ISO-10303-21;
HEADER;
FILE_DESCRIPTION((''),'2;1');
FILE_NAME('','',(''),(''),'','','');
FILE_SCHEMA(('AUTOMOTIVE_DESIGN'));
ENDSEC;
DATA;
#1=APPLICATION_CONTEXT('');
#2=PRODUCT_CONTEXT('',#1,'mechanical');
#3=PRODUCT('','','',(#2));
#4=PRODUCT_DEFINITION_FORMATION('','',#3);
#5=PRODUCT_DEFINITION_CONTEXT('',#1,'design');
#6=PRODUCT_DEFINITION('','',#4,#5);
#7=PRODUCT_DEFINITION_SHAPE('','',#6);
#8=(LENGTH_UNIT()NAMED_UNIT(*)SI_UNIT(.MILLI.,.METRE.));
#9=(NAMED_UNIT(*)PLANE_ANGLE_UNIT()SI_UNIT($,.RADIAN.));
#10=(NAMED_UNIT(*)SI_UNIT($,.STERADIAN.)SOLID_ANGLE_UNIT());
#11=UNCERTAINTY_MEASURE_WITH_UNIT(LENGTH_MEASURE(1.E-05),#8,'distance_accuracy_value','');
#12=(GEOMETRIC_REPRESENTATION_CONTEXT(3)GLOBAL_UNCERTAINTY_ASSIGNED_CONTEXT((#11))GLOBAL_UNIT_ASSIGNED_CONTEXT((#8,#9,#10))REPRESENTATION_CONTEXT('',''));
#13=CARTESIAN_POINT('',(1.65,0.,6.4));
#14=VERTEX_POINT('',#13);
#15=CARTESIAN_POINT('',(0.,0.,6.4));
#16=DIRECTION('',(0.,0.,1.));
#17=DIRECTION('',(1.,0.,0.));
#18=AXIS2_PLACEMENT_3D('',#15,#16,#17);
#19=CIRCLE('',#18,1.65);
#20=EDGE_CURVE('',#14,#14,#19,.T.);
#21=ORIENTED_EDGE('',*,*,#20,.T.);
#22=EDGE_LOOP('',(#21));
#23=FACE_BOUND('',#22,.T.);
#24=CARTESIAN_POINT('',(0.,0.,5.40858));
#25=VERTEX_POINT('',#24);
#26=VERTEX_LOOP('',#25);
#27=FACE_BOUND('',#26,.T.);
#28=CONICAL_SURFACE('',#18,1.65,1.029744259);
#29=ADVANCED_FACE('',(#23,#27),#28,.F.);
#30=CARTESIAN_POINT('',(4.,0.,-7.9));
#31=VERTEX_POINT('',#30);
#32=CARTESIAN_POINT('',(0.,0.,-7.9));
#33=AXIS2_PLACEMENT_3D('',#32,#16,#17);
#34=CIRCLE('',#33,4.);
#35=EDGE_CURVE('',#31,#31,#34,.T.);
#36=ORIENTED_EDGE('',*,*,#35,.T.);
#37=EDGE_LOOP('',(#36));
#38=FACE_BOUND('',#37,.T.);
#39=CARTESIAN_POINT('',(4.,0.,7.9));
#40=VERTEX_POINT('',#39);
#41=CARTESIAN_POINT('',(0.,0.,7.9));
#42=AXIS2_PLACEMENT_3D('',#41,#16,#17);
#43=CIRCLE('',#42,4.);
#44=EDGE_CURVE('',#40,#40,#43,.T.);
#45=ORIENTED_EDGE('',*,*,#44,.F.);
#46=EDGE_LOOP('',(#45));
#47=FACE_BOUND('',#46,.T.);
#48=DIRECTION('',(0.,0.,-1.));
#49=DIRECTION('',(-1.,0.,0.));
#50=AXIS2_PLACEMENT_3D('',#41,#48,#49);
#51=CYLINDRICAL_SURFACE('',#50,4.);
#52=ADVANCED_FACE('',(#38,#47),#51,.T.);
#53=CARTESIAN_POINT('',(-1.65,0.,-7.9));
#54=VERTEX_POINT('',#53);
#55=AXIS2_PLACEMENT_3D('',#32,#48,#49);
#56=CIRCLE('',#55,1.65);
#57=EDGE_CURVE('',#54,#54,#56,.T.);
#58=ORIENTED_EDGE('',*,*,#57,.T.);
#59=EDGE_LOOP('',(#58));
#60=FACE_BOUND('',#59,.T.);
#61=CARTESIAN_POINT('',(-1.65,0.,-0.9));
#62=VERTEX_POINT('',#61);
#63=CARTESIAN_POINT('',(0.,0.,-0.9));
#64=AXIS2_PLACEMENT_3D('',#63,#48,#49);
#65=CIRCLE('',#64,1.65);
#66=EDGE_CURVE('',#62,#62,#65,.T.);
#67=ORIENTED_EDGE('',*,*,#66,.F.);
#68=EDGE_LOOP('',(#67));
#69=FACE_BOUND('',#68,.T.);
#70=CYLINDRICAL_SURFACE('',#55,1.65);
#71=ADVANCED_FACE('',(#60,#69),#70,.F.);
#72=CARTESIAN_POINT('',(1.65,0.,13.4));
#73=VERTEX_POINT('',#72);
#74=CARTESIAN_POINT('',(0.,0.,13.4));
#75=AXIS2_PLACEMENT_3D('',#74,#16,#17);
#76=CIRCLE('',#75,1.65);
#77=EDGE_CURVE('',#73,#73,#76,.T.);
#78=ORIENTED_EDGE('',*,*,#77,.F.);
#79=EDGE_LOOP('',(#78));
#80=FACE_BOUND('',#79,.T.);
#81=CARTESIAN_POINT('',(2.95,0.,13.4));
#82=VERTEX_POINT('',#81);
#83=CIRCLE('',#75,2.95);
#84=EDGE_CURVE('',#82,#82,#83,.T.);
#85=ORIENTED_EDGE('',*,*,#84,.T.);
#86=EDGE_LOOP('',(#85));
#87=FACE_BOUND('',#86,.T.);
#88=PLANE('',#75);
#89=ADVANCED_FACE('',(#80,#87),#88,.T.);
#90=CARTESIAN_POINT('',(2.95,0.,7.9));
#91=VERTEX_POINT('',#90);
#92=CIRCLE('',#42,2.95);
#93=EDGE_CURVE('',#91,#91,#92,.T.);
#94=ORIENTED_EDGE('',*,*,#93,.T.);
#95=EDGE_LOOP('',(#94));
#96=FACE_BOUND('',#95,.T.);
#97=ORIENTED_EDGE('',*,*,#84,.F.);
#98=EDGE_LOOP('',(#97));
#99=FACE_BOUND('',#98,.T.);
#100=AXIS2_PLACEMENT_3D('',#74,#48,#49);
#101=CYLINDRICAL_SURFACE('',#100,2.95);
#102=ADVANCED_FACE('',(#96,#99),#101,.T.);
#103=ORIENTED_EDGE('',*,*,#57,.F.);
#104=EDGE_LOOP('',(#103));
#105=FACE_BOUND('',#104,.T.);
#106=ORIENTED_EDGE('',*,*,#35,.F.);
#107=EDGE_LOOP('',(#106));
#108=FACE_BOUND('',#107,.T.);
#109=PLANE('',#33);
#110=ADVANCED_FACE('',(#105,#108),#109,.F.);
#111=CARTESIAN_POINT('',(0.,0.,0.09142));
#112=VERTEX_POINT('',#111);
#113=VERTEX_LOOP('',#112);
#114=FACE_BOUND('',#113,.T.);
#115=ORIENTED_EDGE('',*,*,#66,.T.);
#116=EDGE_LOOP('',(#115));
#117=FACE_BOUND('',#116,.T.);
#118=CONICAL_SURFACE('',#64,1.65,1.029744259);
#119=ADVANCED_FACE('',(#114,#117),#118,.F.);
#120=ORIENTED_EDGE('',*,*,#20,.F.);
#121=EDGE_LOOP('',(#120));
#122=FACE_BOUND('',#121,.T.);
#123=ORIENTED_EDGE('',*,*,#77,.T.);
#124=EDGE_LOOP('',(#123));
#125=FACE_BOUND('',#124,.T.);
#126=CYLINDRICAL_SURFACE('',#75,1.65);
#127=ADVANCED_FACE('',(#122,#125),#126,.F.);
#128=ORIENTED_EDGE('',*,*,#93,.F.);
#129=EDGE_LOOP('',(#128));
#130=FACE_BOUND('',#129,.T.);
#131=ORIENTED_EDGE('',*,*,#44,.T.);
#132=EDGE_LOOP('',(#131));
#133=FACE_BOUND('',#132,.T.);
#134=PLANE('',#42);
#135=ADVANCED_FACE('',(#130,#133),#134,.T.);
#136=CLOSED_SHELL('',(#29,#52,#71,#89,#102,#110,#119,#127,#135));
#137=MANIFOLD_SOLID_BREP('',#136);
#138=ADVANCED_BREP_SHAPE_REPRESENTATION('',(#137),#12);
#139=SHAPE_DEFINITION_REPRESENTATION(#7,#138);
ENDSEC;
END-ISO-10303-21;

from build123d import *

# Parameters (mm, degrees)
SKETCH_1_R               = 4
EXTRUDE_1_DEPTH          = 7.9
SKETCH_2_R               = 2.95
EXTRUDE_2_DEPTH          = 5.5
M4X0_7_1_D               = 3.3
M4X0_7_1_DEPTH           = 7
M4X0_7_1_TIP             = 0.991420021
M4X0_7_1_ON_FACE_2_D     = 3.3
M4X0_7_1_ON_FACE_2_DEPTH = 7
M4X0_7_1_ON_FACE_2_TIP   = 0.991420021


with BuildPart() as part:
    # ｽｹｯﾁ1 → ﾎﾞｽ - 押し出し1 (new body, symmetric)
    with BuildSketch(Plane.XY):
        Circle(SKETCH_1_R)
    extrude(amount=EXTRUDE_1_DEPTH, both=True)

    # ｽｹｯﾁ2 → ﾎﾞｽ - 押し出し2 (add)
    with BuildSketch(Plane.XY.offset(7.9)):
        Circle(SKETCH_2_R)
    extrude(amount=EXTRUDE_2_DEPTH)

    # M4x0.7 ねじ穴1
    with Locations(Plane(origin=(0, 0, -7.9), x_dir=(-1, 0, 0), z_dir=(0, 0, -1))):
        with Locations((0, 0)):
            Hole(M4X0_7_1_D / 2, depth=M4X0_7_1_DEPTH)
            with Locations((0, 0, -(M4X0_7_1_DEPTH + M4X0_7_1_TIP / 2))):  # 118° drill point
                Cone(0, M4X0_7_1_D / 2, M4X0_7_1_TIP, mode=Mode.SUBTRACT)

    # M4x0.7 ねじ穴1 on face 2
    with Locations(Plane.XY.offset(13.4)):
        with Locations((0, 0)):
            Hole(M4X0_7_1_ON_FACE_2_D / 2, depth=M4X0_7_1_ON_FACE_2_DEPTH)
            with Locations((0, 0, -(M4X0_7_1_ON_FACE_2_DEPTH + M4X0_7_1_ON_FACE_2_TIP / 2))):  # 118° drill point
                Cone(0, M4X0_7_1_ON_FACE_2_D / 2, M4X0_7_1_ON_FACE_2_TIP, mode=Mode.SUBTRACT)


solid = part.part
